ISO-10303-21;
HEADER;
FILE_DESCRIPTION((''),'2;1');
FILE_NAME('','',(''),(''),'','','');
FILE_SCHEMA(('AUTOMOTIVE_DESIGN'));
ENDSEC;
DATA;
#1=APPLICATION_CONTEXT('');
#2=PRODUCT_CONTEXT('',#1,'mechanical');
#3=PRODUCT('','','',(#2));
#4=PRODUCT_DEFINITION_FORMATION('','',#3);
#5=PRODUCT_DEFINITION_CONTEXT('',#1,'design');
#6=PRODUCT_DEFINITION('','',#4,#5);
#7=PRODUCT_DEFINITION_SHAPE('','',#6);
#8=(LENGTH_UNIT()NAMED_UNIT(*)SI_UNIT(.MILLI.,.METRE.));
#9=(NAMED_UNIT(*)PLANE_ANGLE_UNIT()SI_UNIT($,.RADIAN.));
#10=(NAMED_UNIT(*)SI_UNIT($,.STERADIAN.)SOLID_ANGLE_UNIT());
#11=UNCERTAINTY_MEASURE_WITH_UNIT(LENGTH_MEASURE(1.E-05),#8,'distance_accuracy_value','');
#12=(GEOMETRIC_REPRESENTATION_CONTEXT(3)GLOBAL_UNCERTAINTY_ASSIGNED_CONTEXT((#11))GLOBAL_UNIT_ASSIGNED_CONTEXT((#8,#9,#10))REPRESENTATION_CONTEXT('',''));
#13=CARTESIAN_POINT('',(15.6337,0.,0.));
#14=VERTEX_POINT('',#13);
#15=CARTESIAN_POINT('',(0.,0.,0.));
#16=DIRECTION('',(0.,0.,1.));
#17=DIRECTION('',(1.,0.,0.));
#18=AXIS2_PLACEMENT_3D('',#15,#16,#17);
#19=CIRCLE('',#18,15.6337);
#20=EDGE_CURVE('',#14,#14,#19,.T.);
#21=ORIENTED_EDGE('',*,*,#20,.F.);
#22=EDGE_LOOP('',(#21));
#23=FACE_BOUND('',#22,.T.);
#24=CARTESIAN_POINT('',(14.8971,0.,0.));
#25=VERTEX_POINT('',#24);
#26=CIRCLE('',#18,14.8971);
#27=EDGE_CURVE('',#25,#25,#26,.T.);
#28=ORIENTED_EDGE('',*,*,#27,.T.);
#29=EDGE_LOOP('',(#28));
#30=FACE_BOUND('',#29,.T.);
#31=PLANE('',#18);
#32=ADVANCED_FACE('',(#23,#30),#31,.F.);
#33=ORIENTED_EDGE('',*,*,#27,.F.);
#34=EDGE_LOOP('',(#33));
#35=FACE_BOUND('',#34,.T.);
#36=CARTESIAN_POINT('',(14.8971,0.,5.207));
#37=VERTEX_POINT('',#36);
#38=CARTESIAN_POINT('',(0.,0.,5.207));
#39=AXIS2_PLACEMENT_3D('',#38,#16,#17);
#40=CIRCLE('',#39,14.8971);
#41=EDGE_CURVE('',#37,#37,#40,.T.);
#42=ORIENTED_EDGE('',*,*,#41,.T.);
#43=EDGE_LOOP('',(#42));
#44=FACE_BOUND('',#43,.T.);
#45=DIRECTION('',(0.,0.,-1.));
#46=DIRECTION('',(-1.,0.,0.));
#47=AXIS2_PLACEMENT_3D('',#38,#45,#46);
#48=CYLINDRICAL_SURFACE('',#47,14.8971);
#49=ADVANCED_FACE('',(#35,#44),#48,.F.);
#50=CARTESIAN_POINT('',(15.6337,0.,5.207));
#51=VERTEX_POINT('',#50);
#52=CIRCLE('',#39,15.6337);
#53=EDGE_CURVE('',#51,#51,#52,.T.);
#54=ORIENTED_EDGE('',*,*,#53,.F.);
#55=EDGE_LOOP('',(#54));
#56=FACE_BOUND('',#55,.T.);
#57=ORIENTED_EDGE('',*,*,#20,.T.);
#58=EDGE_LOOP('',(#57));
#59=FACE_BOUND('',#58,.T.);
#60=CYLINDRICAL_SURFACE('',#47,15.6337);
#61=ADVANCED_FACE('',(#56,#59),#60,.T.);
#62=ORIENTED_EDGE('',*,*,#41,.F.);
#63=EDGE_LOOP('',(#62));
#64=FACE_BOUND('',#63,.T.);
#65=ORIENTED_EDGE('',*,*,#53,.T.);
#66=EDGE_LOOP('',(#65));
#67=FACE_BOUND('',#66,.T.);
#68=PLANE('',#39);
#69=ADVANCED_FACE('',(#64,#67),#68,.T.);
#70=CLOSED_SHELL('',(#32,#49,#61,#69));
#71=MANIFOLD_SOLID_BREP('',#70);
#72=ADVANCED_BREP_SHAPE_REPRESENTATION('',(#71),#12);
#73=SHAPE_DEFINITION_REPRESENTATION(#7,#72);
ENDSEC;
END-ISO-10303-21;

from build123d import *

# Parameters (mm, degrees)
SKETCH1_R      = 15.6337
SKETCH1_R_2    = 14.8971
EXTRUDE1_DEPTH = 5.207


with BuildPart() as part:
    # Sketch1 → Extrude1 (new body)
    with BuildSketch(Plane.XY):
        Circle(SKETCH1_R)
        Circle(SKETCH1_R_2, mode=Mode.SUBTRACT)
    extrude(amount=EXTRUDE1_DEPTH)


solid = part.part
